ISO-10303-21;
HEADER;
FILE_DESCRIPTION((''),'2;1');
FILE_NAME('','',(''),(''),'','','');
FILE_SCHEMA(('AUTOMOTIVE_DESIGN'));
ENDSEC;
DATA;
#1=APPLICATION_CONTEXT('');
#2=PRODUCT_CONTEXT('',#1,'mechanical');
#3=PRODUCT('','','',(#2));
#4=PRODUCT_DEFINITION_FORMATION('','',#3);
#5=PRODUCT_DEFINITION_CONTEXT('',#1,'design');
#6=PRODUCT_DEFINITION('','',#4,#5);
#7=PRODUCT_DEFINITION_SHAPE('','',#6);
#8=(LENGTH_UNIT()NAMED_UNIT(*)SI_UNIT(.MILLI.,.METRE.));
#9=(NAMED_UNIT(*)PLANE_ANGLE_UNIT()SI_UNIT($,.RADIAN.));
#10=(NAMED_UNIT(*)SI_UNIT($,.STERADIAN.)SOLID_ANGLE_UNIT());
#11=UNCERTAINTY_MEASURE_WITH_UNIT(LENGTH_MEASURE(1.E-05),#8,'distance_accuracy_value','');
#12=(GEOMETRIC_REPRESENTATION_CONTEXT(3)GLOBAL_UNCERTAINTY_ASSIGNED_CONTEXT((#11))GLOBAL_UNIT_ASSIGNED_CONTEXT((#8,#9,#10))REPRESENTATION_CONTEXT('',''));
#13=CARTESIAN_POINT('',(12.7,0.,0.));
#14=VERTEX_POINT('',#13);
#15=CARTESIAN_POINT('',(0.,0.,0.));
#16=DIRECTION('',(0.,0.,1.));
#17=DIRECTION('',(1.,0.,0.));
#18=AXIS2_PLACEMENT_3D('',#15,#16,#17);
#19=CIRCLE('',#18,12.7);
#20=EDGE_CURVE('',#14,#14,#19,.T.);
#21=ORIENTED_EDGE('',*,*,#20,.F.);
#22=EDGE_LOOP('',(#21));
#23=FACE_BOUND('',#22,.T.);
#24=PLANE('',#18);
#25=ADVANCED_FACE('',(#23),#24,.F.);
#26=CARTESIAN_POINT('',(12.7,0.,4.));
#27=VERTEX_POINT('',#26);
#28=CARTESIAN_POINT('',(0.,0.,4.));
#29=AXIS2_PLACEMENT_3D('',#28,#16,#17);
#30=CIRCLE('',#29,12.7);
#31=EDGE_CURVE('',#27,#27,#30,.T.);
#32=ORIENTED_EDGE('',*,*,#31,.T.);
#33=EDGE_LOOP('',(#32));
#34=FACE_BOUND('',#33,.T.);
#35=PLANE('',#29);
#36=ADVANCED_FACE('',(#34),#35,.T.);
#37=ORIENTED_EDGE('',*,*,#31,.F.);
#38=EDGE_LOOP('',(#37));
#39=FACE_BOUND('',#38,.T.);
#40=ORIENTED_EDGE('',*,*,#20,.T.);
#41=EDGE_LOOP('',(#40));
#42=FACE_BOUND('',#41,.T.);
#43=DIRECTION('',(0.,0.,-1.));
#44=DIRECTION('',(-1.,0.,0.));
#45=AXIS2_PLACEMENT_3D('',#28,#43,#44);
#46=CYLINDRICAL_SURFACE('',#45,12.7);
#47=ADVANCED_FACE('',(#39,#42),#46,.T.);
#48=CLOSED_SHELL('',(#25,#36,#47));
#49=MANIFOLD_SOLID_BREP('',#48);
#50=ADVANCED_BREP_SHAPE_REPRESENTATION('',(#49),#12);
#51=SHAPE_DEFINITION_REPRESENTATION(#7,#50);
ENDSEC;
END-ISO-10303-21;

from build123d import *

# Parameters (mm, degrees)
SKETCH_1_R      = 12.7
EXTRUDE_1_DEPTH = 4


with BuildPart() as part:
    # 草图1 → 凸台-拉伸1 (new body)
    with BuildSketch(Plane.XY):
        Circle(SKETCH_1_R)
    extrude(amount=EXTRUDE_1_DEPTH)


solid = part.part
